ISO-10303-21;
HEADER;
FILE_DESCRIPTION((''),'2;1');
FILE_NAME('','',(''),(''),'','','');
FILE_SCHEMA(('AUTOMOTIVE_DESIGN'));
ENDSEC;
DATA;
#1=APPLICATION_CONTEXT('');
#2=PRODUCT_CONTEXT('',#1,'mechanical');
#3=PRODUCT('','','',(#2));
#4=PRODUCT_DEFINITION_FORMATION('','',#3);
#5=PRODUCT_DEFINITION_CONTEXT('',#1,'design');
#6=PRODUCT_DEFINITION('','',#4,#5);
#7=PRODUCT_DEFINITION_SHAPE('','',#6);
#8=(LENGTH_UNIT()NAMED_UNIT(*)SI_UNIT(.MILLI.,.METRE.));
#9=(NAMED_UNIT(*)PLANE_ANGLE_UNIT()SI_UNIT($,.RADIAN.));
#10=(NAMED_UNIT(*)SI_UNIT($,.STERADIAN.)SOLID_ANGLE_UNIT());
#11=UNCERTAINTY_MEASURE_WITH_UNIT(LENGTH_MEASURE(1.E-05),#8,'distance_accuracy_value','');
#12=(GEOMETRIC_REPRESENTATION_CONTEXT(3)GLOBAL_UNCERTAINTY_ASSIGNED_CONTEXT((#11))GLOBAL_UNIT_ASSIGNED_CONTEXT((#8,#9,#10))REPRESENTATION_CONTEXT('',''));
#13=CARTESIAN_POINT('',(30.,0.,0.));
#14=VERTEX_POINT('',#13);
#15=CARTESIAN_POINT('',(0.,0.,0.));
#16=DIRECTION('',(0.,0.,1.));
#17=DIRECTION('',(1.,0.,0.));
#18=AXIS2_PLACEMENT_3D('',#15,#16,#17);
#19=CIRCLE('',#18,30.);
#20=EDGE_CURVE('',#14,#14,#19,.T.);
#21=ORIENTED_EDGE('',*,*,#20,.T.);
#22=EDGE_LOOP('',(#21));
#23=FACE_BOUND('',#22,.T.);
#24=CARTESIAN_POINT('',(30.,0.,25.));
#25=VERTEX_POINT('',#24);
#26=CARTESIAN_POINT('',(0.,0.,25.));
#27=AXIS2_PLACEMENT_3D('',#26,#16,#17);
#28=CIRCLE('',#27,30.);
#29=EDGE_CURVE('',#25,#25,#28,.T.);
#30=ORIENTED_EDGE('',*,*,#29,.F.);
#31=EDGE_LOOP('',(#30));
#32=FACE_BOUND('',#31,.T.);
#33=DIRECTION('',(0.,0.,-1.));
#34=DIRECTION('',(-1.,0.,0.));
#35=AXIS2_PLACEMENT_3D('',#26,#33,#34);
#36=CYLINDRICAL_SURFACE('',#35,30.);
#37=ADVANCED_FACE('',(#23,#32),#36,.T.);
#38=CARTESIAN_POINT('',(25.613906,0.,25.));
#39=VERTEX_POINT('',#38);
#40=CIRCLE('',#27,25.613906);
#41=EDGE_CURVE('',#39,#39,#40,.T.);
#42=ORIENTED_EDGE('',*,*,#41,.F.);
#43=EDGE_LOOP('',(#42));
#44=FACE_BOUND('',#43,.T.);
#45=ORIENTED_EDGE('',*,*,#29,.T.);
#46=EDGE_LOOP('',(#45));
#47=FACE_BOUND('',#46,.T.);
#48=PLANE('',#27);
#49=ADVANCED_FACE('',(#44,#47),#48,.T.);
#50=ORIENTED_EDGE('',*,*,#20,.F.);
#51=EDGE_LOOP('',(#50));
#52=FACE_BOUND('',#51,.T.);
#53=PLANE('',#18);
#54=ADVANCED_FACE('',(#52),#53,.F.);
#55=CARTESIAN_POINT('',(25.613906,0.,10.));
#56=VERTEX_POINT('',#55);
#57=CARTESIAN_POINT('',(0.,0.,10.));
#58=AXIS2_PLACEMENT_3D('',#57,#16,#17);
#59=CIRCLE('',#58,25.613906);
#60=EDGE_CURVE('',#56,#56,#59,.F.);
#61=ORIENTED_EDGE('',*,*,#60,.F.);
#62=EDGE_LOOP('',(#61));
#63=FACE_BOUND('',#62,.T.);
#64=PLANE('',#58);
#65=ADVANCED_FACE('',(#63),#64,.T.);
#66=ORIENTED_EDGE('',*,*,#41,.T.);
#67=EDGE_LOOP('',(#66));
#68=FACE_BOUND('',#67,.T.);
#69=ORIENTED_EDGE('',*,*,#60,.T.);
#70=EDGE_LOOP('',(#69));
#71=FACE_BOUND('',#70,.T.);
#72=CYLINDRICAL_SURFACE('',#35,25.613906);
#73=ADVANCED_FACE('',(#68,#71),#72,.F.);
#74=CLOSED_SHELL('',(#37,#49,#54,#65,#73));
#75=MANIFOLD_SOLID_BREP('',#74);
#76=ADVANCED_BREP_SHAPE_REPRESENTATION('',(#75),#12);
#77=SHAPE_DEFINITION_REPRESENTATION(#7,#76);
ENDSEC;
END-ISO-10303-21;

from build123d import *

# Parameters (mm, degrees)
SKETCH1_R           = 25.613906161
BOSS_EXTRUDE1_DEPTH = 10
SKETCH1_3_R         = 30
SKETCH1_3_R_2       = 25.613906161
BOSS_EXTRUDE2_DEPTH = 25


with BuildPart() as part:
    # Sketch1 → Boss-Extrude1 (new body)
    with BuildSketch(Plane.XY):
        Circle(SKETCH1_R)
    extrude(amount=BOSS_EXTRUDE1_DEPTH)

    # Sketch1<3> → Boss-Extrude2 (add)
    with BuildSketch(Plane.XY):
        Circle(SKETCH1_3_R)
        Circle(SKETCH1_3_R_2, mode=Mode.SUBTRACT)
    extrude(amount=BOSS_EXTRUDE2_DEPTH)


solid = part.part
